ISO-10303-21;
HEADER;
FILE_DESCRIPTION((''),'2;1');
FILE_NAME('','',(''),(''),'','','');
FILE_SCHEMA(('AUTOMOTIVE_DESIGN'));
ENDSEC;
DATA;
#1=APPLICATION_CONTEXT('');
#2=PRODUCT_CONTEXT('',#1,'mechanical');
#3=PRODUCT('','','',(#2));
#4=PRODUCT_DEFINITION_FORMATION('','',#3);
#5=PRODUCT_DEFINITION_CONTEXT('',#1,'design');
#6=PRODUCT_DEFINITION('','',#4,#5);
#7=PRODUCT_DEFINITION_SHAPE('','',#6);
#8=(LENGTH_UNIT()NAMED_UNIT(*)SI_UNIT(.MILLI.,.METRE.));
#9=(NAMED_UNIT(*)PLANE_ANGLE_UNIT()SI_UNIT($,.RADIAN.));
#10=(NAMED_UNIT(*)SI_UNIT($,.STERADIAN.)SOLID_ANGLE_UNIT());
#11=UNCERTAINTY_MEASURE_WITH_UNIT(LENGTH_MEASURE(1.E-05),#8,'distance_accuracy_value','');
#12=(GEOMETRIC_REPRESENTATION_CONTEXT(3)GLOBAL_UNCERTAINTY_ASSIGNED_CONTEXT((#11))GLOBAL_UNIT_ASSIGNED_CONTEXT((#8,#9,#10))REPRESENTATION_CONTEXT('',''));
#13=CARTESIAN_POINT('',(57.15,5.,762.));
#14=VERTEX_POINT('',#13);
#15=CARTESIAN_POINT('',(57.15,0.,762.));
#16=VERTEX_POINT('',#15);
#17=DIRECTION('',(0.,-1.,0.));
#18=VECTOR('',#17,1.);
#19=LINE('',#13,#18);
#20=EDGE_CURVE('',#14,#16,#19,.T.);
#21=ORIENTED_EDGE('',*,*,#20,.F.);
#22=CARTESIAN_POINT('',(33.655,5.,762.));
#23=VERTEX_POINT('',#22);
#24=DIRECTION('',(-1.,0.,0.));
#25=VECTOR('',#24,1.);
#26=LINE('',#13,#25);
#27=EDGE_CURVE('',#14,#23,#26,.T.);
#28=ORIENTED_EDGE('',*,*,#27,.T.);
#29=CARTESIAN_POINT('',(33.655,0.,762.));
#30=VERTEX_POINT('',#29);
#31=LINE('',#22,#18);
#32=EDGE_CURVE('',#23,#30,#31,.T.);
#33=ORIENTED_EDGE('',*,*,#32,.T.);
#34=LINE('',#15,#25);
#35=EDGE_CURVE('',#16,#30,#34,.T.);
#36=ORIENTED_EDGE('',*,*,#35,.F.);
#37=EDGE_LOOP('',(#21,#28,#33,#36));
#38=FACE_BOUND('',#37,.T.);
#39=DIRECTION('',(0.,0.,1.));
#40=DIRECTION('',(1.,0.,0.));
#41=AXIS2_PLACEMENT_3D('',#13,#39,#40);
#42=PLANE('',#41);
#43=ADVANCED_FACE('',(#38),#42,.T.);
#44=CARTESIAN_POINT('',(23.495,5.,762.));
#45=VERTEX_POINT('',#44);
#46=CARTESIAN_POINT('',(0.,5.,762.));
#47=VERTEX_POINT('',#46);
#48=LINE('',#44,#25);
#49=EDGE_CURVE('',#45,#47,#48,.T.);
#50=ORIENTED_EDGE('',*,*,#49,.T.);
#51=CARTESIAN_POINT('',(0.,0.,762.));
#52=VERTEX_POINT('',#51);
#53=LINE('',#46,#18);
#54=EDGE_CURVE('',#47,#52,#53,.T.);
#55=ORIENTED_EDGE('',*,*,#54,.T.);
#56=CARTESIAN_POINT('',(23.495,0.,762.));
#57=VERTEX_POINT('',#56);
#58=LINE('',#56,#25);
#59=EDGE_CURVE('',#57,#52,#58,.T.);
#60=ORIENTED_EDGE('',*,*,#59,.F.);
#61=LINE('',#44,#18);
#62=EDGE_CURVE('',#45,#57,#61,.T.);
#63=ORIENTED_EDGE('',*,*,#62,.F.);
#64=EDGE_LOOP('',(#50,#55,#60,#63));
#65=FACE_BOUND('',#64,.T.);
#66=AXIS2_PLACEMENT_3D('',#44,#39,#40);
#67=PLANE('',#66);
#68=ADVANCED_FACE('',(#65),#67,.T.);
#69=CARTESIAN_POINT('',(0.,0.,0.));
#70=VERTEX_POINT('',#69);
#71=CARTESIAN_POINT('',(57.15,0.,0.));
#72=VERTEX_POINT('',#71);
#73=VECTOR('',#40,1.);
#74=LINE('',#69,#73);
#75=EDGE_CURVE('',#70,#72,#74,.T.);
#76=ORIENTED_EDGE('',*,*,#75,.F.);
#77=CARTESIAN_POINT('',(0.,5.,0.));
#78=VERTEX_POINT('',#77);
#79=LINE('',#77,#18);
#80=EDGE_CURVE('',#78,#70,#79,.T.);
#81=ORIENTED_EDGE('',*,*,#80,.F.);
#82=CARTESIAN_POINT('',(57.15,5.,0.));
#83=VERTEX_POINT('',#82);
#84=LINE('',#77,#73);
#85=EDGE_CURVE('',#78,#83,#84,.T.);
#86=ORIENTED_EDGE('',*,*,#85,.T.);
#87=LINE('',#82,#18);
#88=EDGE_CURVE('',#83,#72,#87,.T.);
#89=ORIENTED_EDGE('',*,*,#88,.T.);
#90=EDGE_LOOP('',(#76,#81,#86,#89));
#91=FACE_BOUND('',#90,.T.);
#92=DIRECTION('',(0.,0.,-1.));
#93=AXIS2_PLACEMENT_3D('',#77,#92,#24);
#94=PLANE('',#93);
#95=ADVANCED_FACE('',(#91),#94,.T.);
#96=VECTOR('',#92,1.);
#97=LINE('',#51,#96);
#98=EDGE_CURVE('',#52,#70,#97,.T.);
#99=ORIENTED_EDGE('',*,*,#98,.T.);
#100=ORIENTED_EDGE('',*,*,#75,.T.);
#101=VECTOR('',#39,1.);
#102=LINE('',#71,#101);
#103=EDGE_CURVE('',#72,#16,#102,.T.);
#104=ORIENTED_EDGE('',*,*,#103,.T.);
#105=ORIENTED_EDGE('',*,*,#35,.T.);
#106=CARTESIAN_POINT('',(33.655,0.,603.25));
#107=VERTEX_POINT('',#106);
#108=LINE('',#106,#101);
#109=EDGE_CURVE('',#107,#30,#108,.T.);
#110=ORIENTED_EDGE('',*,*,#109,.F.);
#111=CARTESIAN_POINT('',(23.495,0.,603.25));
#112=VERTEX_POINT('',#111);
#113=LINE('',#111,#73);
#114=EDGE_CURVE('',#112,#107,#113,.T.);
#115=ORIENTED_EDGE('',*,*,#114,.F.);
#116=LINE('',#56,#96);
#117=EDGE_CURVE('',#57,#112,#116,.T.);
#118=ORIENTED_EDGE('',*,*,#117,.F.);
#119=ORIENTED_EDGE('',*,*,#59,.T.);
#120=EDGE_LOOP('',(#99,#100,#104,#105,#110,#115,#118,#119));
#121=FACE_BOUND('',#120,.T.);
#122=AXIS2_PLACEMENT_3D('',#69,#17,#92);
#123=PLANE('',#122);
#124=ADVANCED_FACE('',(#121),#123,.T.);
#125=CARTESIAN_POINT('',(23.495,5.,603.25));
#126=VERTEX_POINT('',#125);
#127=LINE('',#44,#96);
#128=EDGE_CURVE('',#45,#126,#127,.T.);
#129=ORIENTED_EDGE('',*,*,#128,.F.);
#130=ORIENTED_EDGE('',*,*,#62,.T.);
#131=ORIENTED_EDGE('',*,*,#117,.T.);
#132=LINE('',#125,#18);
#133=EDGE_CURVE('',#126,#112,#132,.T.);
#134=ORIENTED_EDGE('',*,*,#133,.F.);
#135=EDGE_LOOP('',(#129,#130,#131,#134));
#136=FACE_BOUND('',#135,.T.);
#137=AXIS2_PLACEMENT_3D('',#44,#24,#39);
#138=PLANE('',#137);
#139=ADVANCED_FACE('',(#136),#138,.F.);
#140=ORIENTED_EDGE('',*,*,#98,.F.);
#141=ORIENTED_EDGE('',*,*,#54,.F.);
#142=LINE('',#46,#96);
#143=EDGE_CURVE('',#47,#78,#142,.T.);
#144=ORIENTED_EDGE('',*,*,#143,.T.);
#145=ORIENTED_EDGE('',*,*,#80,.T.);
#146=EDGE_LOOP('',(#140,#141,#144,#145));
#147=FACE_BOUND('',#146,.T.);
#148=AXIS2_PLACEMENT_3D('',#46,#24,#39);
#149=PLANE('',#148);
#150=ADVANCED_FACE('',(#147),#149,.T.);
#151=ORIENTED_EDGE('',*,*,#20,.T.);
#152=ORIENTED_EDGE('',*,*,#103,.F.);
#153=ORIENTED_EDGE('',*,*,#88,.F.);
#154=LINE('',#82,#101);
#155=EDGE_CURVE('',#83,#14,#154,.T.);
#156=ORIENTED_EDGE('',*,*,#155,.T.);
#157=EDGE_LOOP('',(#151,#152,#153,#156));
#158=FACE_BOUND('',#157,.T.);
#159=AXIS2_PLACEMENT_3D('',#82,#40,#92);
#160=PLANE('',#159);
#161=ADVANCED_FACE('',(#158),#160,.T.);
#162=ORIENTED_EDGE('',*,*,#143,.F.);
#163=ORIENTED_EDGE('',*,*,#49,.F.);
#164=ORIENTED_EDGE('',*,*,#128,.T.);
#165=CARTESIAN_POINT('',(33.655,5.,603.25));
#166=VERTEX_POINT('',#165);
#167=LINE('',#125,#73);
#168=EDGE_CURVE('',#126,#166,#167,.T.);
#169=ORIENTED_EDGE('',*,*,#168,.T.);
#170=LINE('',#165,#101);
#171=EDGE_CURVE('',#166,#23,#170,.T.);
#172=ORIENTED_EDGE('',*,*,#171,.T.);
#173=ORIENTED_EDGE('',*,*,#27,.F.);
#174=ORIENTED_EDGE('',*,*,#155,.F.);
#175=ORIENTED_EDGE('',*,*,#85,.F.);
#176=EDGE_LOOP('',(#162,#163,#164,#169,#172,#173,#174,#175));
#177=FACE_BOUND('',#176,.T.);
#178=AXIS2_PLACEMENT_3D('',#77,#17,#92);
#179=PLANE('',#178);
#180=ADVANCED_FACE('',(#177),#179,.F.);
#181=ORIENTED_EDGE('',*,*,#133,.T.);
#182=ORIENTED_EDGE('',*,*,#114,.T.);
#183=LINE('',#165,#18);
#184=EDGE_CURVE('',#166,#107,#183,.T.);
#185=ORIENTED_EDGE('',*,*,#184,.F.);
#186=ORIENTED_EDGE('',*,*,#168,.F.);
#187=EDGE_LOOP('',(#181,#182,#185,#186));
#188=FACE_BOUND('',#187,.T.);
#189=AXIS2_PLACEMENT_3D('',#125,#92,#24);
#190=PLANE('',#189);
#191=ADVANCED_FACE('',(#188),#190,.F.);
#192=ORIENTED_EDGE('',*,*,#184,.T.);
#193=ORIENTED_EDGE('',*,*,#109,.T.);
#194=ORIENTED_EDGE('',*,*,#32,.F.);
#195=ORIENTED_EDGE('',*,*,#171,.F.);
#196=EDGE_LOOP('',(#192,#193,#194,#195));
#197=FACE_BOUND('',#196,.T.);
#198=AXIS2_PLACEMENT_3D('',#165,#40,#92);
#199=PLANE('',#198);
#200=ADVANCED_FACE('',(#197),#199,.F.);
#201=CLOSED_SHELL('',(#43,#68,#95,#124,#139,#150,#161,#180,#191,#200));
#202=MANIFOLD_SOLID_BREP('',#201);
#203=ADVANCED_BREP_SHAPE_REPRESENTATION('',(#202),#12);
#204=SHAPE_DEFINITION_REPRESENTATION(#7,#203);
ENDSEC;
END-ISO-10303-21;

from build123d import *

# Parameters (mm, degrees)
BOSS_EXTRUDE1_DEPTH = 5


with BuildPart() as part:
    # Sketch1 → Boss-Extrude1 (new body)
    with BuildSketch(Plane(origin=(0, 0, 0), x_dir=(1, 0, 0), z_dir=(0, 1, 0))):
        Polygon((0, 0), (57.15, 0), (57.15, -762), (33.655, -762), (33.655, -603.25), (23.495, -603.25), (23.495, -762), (0, -762), align=None)
    extrude(amount=BOSS_EXTRUDE1_DEPTH)


solid = part.part
